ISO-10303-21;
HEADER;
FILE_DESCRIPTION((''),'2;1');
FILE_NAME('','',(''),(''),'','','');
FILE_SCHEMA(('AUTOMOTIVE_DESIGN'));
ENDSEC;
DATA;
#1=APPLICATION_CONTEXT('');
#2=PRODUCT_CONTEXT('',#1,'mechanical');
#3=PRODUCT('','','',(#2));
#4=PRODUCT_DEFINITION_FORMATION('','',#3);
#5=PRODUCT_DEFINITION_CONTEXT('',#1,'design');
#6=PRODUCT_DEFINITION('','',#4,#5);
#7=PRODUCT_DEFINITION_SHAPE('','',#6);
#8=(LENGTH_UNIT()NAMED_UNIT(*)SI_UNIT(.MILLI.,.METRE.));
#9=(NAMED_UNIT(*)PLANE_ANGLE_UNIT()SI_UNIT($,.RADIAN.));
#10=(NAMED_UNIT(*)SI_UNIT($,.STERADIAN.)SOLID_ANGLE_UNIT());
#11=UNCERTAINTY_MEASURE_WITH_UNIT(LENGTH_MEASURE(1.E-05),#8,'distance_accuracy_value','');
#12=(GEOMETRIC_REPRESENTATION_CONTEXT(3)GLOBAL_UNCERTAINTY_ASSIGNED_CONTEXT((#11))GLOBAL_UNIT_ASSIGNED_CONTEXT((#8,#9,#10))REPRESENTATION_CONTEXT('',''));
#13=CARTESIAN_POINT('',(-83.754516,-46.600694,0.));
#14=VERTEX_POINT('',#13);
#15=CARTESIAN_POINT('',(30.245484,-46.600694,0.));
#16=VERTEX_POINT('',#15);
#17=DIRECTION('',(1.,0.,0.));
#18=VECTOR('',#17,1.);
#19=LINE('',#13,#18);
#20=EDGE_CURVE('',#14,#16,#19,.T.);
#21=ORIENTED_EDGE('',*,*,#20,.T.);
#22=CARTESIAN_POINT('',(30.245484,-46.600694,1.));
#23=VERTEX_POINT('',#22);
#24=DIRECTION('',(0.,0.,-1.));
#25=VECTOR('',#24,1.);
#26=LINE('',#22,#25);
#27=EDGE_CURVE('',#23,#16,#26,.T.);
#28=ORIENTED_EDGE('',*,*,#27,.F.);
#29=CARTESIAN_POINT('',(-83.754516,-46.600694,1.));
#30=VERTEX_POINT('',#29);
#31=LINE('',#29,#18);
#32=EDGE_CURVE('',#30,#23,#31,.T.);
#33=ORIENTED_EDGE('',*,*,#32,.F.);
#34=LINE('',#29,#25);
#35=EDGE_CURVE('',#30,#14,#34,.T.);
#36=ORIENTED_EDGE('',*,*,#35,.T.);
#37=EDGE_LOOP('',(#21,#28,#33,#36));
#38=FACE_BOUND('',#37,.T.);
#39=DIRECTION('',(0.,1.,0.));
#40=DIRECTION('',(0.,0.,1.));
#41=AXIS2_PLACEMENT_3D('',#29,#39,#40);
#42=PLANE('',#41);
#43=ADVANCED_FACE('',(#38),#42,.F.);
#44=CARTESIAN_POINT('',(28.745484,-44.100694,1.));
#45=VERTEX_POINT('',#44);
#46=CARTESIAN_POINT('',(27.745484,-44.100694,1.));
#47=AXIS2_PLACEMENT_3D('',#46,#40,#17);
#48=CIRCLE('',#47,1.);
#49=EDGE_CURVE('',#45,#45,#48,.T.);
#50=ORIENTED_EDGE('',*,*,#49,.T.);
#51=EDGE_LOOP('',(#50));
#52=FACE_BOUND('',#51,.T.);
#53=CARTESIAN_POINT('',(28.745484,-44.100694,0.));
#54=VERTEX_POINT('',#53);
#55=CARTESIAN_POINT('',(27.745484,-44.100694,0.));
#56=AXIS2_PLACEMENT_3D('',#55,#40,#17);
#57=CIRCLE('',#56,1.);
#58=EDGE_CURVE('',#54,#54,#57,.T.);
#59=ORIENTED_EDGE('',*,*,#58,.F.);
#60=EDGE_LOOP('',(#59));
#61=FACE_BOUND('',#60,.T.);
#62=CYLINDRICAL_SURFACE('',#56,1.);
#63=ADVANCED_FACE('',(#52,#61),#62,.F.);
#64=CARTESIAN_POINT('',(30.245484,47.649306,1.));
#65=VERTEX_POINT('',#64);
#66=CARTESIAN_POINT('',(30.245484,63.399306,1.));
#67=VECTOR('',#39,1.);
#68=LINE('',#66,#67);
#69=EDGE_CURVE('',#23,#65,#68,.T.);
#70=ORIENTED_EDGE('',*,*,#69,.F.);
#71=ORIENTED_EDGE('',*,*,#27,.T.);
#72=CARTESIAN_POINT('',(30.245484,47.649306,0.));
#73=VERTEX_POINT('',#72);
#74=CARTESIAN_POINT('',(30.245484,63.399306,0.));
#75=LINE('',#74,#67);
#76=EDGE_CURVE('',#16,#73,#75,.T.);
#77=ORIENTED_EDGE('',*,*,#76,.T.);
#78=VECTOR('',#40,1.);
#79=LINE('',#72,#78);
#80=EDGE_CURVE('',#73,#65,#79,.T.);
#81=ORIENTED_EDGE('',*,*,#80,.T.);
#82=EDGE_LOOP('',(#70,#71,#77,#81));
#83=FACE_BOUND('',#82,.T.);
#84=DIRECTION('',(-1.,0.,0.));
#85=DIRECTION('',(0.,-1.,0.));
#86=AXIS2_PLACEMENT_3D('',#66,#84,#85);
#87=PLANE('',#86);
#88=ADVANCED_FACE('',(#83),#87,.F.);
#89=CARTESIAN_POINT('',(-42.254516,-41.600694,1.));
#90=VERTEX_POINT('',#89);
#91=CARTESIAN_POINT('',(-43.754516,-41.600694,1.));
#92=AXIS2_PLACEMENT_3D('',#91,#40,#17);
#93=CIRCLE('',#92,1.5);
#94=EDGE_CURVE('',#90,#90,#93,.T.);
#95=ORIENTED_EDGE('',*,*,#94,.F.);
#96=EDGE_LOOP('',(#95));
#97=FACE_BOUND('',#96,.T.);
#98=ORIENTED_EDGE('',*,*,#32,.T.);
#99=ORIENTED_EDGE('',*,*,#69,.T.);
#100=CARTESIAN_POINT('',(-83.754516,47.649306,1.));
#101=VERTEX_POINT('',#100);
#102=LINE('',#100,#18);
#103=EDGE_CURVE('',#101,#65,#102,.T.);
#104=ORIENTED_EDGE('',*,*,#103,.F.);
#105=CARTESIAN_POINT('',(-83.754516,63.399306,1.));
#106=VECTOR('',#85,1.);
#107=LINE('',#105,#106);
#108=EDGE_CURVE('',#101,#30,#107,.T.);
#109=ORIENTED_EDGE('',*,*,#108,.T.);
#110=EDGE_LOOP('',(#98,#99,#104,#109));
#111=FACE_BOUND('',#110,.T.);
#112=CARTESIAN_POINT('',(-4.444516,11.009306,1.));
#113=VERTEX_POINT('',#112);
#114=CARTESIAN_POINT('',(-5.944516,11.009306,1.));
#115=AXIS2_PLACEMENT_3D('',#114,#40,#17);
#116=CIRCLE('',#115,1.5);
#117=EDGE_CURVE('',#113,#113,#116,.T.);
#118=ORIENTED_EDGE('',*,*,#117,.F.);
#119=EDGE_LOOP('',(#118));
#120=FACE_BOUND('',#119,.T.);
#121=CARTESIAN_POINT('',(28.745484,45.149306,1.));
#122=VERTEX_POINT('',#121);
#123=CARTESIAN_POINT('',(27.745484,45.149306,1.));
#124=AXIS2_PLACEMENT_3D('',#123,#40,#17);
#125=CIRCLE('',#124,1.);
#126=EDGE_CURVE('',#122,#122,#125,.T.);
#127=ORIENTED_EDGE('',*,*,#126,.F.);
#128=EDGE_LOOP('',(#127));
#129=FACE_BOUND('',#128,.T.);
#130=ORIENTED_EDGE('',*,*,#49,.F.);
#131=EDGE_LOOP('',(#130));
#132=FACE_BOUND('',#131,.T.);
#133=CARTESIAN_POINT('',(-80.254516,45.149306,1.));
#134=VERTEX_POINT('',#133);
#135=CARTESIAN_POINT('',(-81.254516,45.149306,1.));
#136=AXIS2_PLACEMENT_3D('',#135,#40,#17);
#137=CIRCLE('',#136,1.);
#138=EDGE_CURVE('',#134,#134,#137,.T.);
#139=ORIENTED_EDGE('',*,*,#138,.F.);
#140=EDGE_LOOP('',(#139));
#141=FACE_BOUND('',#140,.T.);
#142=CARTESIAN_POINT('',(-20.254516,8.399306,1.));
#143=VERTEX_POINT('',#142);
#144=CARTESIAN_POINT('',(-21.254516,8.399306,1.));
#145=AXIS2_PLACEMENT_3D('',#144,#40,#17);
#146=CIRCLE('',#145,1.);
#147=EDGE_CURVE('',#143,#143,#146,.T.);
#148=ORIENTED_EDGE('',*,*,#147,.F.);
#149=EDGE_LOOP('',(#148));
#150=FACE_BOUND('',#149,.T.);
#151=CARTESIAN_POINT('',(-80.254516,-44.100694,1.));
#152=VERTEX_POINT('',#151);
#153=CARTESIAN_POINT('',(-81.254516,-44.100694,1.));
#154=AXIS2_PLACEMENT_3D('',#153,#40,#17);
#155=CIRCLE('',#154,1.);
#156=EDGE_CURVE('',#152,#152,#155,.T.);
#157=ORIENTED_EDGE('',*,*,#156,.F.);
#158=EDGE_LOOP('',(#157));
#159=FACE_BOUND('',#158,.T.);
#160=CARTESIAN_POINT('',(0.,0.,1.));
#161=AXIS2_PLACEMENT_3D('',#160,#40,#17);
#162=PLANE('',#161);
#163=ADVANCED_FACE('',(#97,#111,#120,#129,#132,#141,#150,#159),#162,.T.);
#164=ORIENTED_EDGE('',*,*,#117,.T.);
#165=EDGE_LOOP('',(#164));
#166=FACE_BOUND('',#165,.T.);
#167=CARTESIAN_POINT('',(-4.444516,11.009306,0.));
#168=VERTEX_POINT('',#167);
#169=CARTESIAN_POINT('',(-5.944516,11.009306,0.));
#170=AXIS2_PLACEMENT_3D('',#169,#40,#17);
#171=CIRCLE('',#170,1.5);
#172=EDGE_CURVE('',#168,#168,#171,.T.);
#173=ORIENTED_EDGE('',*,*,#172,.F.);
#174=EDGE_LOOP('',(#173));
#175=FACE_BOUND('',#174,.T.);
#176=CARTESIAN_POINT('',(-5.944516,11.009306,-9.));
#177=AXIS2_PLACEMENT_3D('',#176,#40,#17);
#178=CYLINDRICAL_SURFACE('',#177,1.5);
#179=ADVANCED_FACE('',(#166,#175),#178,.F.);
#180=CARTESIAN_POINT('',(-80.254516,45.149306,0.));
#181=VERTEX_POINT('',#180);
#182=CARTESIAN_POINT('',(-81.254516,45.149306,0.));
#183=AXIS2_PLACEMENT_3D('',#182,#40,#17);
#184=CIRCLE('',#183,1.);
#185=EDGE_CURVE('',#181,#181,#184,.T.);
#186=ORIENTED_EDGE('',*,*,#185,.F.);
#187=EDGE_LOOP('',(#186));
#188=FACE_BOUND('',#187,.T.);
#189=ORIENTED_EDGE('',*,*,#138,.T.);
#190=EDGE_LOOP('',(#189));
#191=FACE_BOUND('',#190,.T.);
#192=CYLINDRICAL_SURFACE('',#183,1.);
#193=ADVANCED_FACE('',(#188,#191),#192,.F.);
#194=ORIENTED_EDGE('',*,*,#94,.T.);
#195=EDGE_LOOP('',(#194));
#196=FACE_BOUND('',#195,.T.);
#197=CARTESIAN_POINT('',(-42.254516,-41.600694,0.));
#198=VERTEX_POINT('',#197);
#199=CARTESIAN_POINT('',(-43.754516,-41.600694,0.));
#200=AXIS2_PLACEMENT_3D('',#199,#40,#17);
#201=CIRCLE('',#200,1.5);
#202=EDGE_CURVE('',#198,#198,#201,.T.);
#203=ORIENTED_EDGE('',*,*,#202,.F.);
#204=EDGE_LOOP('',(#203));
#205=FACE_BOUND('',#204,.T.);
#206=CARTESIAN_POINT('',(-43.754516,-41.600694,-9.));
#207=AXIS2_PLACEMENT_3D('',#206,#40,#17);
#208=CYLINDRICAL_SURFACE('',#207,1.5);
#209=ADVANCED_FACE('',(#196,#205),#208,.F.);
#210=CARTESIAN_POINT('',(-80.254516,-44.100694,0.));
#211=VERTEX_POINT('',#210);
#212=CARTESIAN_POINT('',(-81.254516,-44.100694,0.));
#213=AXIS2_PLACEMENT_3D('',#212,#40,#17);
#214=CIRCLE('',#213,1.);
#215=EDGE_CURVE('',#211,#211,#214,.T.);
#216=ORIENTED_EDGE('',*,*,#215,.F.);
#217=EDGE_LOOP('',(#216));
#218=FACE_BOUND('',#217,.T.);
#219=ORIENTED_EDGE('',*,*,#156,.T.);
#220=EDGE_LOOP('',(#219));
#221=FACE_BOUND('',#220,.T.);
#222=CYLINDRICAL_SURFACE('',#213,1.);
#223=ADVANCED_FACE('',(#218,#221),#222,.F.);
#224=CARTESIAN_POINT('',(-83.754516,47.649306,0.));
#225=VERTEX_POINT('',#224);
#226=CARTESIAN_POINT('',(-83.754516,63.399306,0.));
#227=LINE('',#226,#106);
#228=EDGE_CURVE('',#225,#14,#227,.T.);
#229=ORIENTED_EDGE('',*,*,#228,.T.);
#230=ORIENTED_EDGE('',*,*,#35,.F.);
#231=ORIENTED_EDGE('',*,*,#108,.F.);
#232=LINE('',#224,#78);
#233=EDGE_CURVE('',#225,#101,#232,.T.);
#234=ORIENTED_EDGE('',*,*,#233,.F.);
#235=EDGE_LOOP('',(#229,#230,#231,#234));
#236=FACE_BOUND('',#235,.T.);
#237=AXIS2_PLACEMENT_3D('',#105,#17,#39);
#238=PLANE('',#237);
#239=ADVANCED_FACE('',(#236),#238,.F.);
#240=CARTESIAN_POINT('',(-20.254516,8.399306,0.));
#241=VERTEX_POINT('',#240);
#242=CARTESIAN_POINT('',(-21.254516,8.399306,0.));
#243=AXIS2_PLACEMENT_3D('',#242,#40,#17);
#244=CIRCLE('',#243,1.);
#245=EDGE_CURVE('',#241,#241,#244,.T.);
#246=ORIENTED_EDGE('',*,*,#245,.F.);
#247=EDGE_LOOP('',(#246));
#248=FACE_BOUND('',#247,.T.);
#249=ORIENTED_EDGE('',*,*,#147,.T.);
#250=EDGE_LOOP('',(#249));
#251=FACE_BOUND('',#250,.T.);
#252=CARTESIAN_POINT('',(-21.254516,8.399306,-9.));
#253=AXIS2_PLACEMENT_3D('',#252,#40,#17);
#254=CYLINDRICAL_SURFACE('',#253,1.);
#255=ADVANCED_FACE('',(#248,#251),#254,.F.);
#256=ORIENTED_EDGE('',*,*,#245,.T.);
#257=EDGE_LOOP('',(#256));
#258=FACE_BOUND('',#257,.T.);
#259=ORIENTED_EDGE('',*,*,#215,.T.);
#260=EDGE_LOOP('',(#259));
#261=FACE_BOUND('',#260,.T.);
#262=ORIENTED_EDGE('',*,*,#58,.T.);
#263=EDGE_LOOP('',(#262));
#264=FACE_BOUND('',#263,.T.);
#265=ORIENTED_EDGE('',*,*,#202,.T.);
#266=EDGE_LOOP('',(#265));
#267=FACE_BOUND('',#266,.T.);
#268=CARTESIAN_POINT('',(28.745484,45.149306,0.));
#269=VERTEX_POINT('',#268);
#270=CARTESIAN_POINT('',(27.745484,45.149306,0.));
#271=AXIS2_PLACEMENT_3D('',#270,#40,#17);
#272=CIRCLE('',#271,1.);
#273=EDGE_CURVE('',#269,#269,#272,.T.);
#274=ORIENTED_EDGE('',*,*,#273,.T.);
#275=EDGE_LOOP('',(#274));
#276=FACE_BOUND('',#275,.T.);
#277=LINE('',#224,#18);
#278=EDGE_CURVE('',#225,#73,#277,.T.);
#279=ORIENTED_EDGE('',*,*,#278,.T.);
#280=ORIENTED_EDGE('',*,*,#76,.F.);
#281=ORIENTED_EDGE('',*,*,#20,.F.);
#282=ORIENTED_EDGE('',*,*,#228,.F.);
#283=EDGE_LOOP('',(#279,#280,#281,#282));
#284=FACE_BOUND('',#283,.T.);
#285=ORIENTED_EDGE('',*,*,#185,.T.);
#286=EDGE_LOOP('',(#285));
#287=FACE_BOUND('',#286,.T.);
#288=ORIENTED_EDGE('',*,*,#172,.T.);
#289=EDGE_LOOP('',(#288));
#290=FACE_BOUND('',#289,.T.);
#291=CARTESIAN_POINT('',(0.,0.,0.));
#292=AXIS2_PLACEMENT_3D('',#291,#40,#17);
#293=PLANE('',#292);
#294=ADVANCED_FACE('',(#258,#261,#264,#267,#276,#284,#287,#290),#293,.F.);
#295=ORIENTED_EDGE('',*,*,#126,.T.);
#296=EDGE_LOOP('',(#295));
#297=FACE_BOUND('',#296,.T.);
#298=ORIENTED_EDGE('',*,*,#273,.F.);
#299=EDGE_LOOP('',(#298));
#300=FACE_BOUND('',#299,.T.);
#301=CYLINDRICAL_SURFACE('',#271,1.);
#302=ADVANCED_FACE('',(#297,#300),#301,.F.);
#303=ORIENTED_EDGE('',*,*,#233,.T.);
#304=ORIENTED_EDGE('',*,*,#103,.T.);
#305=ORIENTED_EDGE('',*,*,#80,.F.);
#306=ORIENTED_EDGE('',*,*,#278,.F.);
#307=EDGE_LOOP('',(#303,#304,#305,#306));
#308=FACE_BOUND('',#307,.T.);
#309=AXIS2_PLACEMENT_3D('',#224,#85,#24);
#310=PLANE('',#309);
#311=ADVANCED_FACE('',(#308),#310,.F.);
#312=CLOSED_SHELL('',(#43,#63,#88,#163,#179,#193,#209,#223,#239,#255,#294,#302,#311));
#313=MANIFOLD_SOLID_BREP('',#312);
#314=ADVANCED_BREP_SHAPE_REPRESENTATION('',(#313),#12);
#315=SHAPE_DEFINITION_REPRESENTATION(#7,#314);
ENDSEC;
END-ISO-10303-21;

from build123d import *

# Parameters (mm, degrees)
SKETCH1_W           = 114
SKETCH1_H           = 110
BOSS_EXTRUDE1_DEPTH = 1
SKETCH2_R           = 1
CUT_EXTRUDE1_DEPTH  = 2
SKETCH3_R           = 1
CUT_EXTRUDE2_DEPTH  = 10
SKETCH4_W           = 15.73492188
SKETCH4_H           = 20.720243664
BOSS_EXTRUDE2_DEPTH = 1
SKETCH6_R           = 1
CUT_EXTRUDE3_DEPTH  = 10
SKETCH7_R           = 1.5
CUT_EXTRUDE4_DEPTH  = 10
SKETCH8_R           = 1.5
CUT_EXTRUDE5_DEPTH  = 10
SKETCH9_R           = 1
CUT_EXTRUDE6_DEPTH  = 2
SKETCH10_R          = 1
CUT_EXTRUDE7_DEPTH  = 2
SKETCH11_W          = 114
SKETCH11_H          = 15.75
CUT_EXTRUDE8_DEPTH  = 2


with BuildPart() as part:
    # Sketch1 → Boss-Extrude1 (new body)
    with BuildSketch(Plane.XY):
        with Locations((-26.754516262, 8.399305556)):
            Rectangle(SKETCH1_W, SKETCH1_H)
    extrude(amount=BOSS_EXTRUDE1_DEPTH)

    # Sketch2 → Cut-Extrude1 (cut, through all)
    with BuildSketch(Plane.XY.offset(1)):
        with Locations((-81.254516262, 60.899305556)):
            Circle(SKETCH2_R)
        with Locations((27.745483738, 60.899305556)):
            Circle(SKETCH2_R)
        with Locations((27.745483738, -44.100694444)):
            Circle(SKETCH2_R)
        with Locations((-81.254516262, -44.100694444)):
            Circle(SKETCH2_R)
    extrude(amount=-CUT_EXTRUDE1_DEPTH, mode=Mode.SUBTRACT)

    # Sketch3 → Cut-Extrude2 (cut)
    with BuildSketch(Plane(origin=(0, 0, 0), x_dir=(-1, 0, 0), z_dir=(0, 0, -1))):
        with Locations((28.754516262, 11.899305556)):
            Circle(SKETCH3_R)
    extrude(amount=-CUT_EXTRUDE2_DEPTH, mode=Mode.SUBTRACT)

    # Sketch4 → Boss-Extrude2 (add, through all)
    with BuildSketch(Plane.XY.offset(1)):
        with Locations((-27.299785832, 6.529809887)):
            Rectangle(SKETCH4_W, SKETCH4_H)
    extrude(amount=-BOSS_EXTRUDE2_DEPTH)

    # Sketch6 → Cut-Extrude3 (cut)
    with BuildSketch(Plane.XY.offset(1)):
        with Locations((-21.254516262, 8.399305556)):
            Circle(SKETCH6_R)
    extrude(amount=-CUT_EXTRUDE3_DEPTH, mode=Mode.SUBTRACT)

    # Sketch7 → Cut-Extrude4 (cut)
    with BuildSketch(Plane.XY.offset(1)):
        with Locations((-43.754516262, -41.600694444)):
            Circle(SKETCH7_R)
    extrude(amount=-CUT_EXTRUDE4_DEPTH, mode=Mode.SUBTRACT)

    # Sketch8 → Cut-Extrude5 (cut)
    with BuildSketch(Plane.XY.offset(1)):
        with Locations((-5.944516262, 11.009305556)):
            Circle(SKETCH8_R)
    extrude(amount=-CUT_EXTRUDE5_DEPTH, mode=Mode.SUBTRACT)

    # Sketch9 → Cut-Extrude6 (cut, through all)
    with BuildSketch(Plane.XY.offset(1)):
        with Locations((-81.254516262, 45.149305556)):
            Circle(SKETCH9_R)
    extrude(amount=-CUT_EXTRUDE6_DEPTH, mode=Mode.SUBTRACT)

    # Sketch10 → Cut-Extrude7 (cut, through all)
    with BuildSketch(Plane.XY.offset(1)):
        with Locations((27.745483738, 45.149305556)):
            Circle(SKETCH10_R)
    extrude(amount=-CUT_EXTRUDE7_DEPTH, mode=Mode.SUBTRACT)

    # Sketch11 → Cut-Extrude8 (cut, through all)
    with BuildSketch(Plane.XY.offset(1)):
        with Locations((-26.754516262, 55.524305556)):
            Rectangle(SKETCH11_W, SKETCH11_H)
    extrude(amount=-CUT_EXTRUDE8_DEPTH, mode=Mode.SUBTRACT)


solid = part.part
